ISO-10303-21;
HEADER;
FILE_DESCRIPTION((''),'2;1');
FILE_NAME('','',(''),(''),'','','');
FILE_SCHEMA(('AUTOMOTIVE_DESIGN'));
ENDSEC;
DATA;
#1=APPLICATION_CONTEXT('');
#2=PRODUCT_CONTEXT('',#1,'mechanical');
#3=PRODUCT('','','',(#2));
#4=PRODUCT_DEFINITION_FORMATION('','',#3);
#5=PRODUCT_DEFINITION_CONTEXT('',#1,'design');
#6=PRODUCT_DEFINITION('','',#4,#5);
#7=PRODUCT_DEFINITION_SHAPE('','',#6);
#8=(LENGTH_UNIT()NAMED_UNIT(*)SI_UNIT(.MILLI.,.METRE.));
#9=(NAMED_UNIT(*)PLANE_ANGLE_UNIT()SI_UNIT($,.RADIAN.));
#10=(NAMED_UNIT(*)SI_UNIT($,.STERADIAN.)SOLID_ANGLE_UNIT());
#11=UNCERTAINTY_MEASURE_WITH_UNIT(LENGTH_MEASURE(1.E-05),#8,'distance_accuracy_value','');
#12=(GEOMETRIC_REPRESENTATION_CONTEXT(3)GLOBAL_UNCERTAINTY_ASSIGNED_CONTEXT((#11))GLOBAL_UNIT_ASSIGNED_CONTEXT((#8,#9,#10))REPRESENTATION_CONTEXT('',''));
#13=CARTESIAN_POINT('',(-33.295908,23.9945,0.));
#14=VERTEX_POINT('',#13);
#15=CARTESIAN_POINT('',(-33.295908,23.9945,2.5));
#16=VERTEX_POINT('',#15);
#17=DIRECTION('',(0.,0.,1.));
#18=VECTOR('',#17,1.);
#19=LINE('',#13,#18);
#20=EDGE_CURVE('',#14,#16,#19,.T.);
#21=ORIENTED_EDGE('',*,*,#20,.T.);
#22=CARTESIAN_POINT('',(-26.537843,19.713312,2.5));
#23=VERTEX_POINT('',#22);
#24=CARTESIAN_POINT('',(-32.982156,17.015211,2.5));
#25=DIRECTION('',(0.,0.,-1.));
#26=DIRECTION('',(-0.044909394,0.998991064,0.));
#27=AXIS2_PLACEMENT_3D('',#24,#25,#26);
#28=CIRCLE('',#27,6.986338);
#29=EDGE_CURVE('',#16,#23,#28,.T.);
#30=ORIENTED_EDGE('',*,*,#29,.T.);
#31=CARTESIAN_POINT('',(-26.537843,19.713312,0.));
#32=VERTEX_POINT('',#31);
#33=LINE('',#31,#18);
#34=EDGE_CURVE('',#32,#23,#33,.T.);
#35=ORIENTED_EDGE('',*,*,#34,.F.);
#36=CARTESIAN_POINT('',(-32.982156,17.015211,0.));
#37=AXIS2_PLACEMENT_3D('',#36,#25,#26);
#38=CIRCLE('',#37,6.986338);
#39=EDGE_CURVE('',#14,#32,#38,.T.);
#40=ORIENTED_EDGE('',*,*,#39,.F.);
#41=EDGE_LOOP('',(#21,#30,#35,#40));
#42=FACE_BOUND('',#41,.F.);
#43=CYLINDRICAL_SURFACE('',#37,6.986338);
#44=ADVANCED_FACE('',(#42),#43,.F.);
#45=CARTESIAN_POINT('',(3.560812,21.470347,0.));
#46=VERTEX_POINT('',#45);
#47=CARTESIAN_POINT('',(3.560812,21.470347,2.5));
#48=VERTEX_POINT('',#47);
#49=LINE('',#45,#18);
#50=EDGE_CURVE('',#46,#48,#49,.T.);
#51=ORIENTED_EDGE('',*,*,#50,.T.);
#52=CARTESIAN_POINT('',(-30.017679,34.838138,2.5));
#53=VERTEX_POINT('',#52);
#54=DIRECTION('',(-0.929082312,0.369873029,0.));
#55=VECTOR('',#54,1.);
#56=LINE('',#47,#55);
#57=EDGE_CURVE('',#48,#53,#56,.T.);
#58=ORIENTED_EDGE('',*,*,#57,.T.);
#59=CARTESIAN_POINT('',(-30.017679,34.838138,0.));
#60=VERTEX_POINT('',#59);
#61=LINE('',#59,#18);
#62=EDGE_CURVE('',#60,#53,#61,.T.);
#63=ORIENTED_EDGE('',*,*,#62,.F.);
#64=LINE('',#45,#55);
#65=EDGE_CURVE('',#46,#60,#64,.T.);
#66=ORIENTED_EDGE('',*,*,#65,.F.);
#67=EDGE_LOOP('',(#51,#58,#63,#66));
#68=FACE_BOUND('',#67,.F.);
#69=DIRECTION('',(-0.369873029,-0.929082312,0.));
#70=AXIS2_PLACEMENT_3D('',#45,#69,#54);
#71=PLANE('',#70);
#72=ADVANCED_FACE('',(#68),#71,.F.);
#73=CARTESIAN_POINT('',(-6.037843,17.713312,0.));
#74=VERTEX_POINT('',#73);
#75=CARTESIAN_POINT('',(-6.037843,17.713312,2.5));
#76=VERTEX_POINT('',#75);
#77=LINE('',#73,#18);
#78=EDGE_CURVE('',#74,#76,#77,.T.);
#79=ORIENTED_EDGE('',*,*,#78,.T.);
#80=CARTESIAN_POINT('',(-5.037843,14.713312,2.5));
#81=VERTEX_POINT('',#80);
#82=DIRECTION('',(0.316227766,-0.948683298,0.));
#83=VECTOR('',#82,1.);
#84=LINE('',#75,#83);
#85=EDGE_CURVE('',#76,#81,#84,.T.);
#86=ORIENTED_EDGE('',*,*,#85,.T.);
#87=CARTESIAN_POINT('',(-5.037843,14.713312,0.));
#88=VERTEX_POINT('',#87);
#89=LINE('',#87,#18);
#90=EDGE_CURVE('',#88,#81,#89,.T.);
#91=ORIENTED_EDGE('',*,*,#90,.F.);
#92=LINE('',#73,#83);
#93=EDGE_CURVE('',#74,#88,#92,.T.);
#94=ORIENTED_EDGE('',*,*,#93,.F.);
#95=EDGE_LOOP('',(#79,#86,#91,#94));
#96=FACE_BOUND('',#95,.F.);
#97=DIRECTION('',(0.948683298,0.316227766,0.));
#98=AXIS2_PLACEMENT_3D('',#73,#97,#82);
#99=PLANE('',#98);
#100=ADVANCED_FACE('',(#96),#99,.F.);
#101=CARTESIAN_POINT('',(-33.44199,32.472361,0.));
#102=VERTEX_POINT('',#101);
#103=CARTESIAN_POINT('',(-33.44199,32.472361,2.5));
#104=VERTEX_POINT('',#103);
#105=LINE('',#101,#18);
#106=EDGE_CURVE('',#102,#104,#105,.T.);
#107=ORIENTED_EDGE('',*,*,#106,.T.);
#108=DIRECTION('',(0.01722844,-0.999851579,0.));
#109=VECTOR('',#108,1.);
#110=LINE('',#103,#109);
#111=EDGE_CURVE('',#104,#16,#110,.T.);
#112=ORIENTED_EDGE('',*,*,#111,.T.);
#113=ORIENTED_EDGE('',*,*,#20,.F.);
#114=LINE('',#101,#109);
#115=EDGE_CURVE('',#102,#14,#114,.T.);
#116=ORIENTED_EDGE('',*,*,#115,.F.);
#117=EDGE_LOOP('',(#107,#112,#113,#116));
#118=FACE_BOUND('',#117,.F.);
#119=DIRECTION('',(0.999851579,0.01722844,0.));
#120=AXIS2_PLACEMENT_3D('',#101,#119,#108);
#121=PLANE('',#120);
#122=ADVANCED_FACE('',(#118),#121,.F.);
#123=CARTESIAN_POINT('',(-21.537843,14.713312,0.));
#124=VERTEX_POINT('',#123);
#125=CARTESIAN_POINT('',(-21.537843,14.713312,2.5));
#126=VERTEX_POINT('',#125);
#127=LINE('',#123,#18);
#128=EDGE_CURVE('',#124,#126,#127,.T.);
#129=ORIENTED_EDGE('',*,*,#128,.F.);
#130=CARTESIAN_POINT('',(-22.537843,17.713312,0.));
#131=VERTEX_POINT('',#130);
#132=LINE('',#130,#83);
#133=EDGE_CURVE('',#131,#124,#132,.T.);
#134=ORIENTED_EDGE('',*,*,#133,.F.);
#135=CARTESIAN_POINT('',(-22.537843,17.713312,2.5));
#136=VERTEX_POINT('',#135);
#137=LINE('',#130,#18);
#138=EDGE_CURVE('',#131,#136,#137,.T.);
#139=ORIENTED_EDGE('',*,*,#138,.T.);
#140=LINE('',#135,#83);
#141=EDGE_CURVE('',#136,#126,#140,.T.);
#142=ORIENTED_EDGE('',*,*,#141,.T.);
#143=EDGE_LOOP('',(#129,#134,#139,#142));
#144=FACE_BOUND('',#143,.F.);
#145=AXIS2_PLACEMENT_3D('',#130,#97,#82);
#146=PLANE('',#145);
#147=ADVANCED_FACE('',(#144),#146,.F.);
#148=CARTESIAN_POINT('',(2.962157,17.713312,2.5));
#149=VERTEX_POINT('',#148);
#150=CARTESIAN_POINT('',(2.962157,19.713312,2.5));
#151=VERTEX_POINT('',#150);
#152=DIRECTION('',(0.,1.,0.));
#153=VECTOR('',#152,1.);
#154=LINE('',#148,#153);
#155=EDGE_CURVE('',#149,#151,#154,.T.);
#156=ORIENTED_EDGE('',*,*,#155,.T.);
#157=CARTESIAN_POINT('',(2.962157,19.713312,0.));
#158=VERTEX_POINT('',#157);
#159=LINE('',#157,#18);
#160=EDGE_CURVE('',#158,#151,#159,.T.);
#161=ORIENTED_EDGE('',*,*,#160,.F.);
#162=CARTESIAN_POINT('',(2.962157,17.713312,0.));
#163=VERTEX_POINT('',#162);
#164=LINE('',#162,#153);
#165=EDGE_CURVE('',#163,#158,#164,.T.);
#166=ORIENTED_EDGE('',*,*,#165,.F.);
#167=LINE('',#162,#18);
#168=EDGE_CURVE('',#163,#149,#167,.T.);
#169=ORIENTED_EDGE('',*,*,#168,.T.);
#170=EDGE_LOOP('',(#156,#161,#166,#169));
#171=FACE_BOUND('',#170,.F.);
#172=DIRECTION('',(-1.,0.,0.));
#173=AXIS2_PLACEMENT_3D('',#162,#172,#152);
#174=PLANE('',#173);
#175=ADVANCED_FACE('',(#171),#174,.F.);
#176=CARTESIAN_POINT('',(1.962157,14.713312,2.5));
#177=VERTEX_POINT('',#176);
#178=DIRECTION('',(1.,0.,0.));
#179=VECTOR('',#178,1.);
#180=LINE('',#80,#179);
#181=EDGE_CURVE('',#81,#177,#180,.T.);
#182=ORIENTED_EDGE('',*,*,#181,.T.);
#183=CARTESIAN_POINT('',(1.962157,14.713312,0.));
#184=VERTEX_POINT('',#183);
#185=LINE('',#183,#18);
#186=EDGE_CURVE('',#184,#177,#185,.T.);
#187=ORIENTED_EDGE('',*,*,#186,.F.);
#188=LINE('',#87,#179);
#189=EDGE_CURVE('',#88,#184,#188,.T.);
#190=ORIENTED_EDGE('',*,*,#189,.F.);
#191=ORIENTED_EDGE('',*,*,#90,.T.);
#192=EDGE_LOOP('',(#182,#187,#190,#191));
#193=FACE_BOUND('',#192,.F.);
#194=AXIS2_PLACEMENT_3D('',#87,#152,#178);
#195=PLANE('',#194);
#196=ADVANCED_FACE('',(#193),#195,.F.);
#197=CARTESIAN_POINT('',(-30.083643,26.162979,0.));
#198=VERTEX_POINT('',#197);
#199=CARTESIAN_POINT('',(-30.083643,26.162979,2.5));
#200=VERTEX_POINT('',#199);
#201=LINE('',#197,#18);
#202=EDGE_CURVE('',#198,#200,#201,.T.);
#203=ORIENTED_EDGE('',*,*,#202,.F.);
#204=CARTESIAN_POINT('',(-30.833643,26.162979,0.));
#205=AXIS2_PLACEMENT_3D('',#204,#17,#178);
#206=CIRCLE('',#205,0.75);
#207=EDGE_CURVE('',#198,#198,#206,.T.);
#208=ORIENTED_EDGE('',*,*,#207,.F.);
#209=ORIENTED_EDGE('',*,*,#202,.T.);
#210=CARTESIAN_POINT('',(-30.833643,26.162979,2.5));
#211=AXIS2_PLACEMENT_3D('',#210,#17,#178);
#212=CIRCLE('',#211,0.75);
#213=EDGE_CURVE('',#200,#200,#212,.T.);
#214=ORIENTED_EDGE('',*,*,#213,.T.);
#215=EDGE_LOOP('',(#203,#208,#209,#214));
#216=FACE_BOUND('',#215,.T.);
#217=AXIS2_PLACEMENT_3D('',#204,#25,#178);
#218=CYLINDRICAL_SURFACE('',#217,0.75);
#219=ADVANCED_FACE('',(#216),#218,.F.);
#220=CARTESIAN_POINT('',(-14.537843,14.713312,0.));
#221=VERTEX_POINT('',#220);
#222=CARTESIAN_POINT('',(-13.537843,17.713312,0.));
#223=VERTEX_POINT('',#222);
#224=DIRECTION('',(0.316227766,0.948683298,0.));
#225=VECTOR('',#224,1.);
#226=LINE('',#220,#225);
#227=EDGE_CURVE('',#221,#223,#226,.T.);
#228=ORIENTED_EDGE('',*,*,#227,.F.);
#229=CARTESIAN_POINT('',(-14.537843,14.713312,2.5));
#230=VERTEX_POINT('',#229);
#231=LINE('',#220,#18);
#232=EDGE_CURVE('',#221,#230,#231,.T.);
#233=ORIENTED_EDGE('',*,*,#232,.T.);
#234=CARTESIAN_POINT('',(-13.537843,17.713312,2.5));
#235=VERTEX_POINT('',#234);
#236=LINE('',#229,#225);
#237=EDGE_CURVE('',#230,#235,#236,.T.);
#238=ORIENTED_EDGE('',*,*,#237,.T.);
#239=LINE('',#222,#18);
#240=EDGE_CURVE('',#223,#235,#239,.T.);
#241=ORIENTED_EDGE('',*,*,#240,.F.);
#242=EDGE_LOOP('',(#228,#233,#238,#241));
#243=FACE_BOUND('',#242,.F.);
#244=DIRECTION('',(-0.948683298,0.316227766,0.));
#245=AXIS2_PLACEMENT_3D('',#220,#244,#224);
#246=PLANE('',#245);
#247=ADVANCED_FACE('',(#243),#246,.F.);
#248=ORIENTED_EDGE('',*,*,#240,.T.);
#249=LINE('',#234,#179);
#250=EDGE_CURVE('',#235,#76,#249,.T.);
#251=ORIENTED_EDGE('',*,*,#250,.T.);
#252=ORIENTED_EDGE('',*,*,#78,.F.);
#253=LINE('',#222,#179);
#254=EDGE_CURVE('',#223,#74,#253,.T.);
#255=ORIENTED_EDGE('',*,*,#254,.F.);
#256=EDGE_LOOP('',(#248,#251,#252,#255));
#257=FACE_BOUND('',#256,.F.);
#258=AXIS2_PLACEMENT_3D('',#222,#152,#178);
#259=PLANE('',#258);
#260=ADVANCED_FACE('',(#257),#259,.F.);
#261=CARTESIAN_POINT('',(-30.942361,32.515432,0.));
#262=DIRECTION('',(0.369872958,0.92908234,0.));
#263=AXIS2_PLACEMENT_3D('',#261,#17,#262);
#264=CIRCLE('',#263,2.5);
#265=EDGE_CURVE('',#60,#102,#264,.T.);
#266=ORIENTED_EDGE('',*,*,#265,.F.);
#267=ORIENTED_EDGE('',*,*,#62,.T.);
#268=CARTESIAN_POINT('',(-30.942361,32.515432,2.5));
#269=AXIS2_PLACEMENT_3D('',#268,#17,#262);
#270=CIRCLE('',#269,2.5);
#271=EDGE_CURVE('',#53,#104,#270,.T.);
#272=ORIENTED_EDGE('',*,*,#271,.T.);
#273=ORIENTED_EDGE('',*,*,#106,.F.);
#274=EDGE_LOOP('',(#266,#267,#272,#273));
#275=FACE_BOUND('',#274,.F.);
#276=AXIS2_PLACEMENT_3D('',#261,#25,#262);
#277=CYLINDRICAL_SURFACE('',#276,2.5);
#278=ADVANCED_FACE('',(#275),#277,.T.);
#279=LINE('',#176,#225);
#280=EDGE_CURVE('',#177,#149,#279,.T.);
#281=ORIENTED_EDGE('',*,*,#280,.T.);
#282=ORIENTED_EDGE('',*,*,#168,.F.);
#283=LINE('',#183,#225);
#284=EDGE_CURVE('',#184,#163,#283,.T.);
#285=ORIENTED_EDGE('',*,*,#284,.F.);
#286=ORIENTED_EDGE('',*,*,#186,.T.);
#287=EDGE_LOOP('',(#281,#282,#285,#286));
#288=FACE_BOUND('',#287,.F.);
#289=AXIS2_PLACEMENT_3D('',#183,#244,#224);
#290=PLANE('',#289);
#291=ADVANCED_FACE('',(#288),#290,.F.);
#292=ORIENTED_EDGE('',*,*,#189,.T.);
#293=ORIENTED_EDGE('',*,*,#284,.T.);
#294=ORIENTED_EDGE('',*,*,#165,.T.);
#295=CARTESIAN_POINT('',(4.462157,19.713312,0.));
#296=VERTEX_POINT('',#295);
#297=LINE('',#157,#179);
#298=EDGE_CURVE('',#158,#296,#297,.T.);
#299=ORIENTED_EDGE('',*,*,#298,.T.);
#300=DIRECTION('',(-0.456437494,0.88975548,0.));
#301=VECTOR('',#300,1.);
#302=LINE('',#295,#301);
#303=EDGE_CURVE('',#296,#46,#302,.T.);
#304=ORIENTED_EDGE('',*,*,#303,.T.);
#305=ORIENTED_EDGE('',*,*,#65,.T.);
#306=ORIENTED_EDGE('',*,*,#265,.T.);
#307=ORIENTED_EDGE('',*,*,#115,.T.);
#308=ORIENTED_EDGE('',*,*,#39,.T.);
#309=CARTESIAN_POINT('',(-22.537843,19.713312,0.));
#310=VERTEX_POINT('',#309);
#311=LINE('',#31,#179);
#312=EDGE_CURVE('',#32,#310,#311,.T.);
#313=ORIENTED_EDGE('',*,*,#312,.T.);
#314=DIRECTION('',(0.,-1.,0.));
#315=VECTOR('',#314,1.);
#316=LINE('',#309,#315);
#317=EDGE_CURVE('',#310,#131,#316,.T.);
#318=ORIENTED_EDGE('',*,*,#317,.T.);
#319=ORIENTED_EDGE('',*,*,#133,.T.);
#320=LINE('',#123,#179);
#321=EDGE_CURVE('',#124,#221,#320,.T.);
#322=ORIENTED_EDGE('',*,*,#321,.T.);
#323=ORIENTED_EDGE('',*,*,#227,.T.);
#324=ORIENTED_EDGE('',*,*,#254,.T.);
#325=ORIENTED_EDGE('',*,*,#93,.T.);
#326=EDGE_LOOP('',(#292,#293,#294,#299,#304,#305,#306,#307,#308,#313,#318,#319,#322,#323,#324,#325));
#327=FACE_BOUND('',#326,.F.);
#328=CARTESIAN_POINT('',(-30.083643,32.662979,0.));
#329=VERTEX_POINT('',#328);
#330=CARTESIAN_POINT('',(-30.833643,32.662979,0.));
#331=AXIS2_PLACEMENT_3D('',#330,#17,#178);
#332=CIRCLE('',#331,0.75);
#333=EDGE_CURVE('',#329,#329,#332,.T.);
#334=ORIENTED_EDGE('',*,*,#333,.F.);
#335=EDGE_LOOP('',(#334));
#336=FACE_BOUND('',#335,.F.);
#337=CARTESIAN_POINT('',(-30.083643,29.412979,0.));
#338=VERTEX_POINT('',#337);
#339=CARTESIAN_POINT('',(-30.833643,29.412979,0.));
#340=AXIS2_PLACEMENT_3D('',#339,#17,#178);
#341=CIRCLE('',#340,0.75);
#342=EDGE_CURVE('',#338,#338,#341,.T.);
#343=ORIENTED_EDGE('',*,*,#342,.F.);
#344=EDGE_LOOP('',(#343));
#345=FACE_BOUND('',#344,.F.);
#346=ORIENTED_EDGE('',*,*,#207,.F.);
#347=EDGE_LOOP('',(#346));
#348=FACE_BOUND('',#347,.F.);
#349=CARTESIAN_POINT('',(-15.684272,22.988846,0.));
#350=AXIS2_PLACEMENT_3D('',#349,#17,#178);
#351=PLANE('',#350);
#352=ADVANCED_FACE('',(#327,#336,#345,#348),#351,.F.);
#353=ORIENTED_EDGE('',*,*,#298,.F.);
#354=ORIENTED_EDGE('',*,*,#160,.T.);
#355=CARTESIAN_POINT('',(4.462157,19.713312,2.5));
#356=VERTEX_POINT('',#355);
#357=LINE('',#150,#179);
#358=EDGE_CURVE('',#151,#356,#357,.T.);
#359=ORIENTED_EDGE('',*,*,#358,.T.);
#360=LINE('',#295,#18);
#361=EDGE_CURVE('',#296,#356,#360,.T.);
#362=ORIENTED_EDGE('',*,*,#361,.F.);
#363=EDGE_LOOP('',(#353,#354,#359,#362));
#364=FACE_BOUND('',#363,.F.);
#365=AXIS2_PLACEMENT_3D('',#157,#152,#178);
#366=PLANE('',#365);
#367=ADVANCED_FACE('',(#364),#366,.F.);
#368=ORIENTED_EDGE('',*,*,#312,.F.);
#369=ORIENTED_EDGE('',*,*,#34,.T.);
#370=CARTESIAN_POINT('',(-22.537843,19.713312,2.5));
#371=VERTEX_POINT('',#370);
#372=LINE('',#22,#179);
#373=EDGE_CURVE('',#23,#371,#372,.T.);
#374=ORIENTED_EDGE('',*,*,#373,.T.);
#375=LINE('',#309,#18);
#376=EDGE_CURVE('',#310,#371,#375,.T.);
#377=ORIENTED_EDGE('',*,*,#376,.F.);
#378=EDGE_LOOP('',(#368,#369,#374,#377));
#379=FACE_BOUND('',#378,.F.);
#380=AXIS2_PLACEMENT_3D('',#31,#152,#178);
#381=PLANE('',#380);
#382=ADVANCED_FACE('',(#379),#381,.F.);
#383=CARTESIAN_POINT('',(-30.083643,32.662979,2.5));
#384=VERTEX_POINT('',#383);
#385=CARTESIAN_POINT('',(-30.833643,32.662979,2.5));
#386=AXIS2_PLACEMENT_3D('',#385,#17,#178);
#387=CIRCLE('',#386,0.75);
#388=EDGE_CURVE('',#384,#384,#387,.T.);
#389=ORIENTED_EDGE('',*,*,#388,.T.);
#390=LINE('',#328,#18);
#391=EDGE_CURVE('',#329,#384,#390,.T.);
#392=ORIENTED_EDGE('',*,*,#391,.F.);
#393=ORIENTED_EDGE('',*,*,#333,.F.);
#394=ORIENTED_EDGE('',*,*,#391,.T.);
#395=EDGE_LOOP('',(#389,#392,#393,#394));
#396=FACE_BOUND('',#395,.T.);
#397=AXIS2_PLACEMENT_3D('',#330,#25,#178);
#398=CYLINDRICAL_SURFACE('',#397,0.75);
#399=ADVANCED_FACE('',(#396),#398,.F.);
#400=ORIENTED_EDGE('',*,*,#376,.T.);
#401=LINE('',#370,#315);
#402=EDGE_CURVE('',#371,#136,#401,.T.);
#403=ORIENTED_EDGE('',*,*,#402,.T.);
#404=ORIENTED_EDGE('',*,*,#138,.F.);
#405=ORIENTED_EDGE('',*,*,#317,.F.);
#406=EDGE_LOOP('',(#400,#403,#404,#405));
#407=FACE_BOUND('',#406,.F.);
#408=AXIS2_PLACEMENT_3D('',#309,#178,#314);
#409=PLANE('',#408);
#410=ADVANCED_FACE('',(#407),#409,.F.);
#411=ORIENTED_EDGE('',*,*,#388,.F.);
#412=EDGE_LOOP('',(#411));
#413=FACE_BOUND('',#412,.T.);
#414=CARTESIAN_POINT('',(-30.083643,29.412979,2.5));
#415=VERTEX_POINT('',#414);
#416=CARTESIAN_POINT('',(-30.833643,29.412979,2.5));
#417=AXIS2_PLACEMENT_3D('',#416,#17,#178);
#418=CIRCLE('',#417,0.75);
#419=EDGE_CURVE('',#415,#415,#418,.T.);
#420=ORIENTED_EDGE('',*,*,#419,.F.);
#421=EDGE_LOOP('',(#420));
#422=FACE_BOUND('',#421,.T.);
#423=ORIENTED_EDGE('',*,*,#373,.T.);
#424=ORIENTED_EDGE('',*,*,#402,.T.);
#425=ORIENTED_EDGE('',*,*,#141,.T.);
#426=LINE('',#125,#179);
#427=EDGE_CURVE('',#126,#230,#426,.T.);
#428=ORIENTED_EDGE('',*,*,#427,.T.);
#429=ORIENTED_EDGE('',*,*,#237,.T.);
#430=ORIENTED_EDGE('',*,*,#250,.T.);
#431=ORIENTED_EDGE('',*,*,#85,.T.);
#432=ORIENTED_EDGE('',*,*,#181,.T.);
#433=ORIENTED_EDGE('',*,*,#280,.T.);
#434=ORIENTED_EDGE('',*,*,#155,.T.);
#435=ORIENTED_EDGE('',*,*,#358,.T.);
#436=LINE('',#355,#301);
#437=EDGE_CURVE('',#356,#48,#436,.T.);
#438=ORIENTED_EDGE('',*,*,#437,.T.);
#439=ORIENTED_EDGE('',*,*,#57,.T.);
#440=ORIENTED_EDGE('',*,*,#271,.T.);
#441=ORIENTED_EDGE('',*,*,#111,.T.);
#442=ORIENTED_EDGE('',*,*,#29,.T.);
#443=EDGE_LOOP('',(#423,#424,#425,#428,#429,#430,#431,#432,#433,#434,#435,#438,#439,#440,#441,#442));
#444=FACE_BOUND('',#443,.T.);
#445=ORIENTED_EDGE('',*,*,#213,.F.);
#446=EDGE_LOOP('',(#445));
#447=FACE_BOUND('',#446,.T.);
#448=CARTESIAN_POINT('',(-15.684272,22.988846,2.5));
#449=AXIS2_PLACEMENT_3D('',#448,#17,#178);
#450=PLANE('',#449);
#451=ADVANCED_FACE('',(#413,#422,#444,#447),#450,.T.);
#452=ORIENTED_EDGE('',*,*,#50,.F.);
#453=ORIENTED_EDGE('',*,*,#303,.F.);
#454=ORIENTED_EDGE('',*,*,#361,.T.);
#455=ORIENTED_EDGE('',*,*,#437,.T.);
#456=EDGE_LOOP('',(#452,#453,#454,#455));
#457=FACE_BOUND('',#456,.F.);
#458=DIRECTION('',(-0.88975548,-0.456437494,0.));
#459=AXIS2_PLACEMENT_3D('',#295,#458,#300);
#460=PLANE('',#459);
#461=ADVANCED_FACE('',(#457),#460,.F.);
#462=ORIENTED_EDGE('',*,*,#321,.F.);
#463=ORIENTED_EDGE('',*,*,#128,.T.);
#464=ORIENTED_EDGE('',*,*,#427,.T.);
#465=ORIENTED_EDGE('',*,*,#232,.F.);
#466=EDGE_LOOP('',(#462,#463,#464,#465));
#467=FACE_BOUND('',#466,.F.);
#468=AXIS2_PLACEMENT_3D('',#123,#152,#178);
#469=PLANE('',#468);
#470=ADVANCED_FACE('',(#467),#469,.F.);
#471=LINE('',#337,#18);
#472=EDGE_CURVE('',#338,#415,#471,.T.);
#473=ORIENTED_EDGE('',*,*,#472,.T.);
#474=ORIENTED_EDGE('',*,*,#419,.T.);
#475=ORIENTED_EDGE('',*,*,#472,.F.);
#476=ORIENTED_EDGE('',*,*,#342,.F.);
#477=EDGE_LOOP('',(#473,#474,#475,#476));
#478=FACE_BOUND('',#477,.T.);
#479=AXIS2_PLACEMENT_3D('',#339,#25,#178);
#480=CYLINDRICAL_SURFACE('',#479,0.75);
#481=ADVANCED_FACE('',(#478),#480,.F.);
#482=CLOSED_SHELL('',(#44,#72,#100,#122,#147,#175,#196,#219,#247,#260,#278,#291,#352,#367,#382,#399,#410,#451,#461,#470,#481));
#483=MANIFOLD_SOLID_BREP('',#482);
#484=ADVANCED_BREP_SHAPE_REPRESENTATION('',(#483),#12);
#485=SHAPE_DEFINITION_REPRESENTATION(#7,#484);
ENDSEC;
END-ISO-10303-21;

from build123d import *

# Parameters (mm, degrees)
F0_R     = 0.75
F1_DEPTH = 2.5


with BuildPart() as f1:
    # F0 (on Top) → F1 (new body)
    with BuildSketch(Plane.XY):
        with BuildLine():
            Line((4.462157, 19.713312), (3.560812, 21.470347))
            Line((3.560812, 21.470347), (-30.017679, 34.838138))
            ThreePointArc((-30.017679, 34.838138), (-32.363396, 34.572289), (-33.44199, 32.472361))
            Line((-33.44199, 32.472361), (-33.295908, 23.9945))
            ThreePointArc((-33.295908, 23.9945), (-29.243428, 22.916976), (-26.537843, 19.713312))
            Line((-26.537843, 19.713312), (-22.537843, 19.713312))
            Line((-22.537843, 19.713312), (-22.537843, 17.713312))
            Line((-22.537843, 17.713312), (-21.537843, 14.713312))
            Line((-21.537843, 14.713312), (-14.537843, 14.713312))
            Line((-14.537843, 14.713312), (-13.537843, 17.713312))
            Line((-13.537843, 17.713312), (-6.037843, 17.713312))
            Line((-6.037843, 17.713312), (-5.037843, 14.713312))
            Line((-5.037843, 14.713312), (1.962157, 14.713312))
            Line((1.962157, 14.713312), (2.962157, 17.713312))
            Line((2.962157, 17.713312), (2.962157, 19.713312))
            Line((2.962157, 19.713312), (4.462157, 19.713312))
        make_face()
        with Locations((-30.833643, 26.162979)):
            Circle(F0_R, mode=Mode.SUBTRACT)
        with Locations((-30.833643, 29.412979)):
            Circle(F0_R, mode=Mode.SUBTRACT)
        with Locations((-30.833643, 32.662979)):
            Circle(F0_R, mode=Mode.SUBTRACT)
    extrude(amount=F1_DEPTH)


solid = f1.part
